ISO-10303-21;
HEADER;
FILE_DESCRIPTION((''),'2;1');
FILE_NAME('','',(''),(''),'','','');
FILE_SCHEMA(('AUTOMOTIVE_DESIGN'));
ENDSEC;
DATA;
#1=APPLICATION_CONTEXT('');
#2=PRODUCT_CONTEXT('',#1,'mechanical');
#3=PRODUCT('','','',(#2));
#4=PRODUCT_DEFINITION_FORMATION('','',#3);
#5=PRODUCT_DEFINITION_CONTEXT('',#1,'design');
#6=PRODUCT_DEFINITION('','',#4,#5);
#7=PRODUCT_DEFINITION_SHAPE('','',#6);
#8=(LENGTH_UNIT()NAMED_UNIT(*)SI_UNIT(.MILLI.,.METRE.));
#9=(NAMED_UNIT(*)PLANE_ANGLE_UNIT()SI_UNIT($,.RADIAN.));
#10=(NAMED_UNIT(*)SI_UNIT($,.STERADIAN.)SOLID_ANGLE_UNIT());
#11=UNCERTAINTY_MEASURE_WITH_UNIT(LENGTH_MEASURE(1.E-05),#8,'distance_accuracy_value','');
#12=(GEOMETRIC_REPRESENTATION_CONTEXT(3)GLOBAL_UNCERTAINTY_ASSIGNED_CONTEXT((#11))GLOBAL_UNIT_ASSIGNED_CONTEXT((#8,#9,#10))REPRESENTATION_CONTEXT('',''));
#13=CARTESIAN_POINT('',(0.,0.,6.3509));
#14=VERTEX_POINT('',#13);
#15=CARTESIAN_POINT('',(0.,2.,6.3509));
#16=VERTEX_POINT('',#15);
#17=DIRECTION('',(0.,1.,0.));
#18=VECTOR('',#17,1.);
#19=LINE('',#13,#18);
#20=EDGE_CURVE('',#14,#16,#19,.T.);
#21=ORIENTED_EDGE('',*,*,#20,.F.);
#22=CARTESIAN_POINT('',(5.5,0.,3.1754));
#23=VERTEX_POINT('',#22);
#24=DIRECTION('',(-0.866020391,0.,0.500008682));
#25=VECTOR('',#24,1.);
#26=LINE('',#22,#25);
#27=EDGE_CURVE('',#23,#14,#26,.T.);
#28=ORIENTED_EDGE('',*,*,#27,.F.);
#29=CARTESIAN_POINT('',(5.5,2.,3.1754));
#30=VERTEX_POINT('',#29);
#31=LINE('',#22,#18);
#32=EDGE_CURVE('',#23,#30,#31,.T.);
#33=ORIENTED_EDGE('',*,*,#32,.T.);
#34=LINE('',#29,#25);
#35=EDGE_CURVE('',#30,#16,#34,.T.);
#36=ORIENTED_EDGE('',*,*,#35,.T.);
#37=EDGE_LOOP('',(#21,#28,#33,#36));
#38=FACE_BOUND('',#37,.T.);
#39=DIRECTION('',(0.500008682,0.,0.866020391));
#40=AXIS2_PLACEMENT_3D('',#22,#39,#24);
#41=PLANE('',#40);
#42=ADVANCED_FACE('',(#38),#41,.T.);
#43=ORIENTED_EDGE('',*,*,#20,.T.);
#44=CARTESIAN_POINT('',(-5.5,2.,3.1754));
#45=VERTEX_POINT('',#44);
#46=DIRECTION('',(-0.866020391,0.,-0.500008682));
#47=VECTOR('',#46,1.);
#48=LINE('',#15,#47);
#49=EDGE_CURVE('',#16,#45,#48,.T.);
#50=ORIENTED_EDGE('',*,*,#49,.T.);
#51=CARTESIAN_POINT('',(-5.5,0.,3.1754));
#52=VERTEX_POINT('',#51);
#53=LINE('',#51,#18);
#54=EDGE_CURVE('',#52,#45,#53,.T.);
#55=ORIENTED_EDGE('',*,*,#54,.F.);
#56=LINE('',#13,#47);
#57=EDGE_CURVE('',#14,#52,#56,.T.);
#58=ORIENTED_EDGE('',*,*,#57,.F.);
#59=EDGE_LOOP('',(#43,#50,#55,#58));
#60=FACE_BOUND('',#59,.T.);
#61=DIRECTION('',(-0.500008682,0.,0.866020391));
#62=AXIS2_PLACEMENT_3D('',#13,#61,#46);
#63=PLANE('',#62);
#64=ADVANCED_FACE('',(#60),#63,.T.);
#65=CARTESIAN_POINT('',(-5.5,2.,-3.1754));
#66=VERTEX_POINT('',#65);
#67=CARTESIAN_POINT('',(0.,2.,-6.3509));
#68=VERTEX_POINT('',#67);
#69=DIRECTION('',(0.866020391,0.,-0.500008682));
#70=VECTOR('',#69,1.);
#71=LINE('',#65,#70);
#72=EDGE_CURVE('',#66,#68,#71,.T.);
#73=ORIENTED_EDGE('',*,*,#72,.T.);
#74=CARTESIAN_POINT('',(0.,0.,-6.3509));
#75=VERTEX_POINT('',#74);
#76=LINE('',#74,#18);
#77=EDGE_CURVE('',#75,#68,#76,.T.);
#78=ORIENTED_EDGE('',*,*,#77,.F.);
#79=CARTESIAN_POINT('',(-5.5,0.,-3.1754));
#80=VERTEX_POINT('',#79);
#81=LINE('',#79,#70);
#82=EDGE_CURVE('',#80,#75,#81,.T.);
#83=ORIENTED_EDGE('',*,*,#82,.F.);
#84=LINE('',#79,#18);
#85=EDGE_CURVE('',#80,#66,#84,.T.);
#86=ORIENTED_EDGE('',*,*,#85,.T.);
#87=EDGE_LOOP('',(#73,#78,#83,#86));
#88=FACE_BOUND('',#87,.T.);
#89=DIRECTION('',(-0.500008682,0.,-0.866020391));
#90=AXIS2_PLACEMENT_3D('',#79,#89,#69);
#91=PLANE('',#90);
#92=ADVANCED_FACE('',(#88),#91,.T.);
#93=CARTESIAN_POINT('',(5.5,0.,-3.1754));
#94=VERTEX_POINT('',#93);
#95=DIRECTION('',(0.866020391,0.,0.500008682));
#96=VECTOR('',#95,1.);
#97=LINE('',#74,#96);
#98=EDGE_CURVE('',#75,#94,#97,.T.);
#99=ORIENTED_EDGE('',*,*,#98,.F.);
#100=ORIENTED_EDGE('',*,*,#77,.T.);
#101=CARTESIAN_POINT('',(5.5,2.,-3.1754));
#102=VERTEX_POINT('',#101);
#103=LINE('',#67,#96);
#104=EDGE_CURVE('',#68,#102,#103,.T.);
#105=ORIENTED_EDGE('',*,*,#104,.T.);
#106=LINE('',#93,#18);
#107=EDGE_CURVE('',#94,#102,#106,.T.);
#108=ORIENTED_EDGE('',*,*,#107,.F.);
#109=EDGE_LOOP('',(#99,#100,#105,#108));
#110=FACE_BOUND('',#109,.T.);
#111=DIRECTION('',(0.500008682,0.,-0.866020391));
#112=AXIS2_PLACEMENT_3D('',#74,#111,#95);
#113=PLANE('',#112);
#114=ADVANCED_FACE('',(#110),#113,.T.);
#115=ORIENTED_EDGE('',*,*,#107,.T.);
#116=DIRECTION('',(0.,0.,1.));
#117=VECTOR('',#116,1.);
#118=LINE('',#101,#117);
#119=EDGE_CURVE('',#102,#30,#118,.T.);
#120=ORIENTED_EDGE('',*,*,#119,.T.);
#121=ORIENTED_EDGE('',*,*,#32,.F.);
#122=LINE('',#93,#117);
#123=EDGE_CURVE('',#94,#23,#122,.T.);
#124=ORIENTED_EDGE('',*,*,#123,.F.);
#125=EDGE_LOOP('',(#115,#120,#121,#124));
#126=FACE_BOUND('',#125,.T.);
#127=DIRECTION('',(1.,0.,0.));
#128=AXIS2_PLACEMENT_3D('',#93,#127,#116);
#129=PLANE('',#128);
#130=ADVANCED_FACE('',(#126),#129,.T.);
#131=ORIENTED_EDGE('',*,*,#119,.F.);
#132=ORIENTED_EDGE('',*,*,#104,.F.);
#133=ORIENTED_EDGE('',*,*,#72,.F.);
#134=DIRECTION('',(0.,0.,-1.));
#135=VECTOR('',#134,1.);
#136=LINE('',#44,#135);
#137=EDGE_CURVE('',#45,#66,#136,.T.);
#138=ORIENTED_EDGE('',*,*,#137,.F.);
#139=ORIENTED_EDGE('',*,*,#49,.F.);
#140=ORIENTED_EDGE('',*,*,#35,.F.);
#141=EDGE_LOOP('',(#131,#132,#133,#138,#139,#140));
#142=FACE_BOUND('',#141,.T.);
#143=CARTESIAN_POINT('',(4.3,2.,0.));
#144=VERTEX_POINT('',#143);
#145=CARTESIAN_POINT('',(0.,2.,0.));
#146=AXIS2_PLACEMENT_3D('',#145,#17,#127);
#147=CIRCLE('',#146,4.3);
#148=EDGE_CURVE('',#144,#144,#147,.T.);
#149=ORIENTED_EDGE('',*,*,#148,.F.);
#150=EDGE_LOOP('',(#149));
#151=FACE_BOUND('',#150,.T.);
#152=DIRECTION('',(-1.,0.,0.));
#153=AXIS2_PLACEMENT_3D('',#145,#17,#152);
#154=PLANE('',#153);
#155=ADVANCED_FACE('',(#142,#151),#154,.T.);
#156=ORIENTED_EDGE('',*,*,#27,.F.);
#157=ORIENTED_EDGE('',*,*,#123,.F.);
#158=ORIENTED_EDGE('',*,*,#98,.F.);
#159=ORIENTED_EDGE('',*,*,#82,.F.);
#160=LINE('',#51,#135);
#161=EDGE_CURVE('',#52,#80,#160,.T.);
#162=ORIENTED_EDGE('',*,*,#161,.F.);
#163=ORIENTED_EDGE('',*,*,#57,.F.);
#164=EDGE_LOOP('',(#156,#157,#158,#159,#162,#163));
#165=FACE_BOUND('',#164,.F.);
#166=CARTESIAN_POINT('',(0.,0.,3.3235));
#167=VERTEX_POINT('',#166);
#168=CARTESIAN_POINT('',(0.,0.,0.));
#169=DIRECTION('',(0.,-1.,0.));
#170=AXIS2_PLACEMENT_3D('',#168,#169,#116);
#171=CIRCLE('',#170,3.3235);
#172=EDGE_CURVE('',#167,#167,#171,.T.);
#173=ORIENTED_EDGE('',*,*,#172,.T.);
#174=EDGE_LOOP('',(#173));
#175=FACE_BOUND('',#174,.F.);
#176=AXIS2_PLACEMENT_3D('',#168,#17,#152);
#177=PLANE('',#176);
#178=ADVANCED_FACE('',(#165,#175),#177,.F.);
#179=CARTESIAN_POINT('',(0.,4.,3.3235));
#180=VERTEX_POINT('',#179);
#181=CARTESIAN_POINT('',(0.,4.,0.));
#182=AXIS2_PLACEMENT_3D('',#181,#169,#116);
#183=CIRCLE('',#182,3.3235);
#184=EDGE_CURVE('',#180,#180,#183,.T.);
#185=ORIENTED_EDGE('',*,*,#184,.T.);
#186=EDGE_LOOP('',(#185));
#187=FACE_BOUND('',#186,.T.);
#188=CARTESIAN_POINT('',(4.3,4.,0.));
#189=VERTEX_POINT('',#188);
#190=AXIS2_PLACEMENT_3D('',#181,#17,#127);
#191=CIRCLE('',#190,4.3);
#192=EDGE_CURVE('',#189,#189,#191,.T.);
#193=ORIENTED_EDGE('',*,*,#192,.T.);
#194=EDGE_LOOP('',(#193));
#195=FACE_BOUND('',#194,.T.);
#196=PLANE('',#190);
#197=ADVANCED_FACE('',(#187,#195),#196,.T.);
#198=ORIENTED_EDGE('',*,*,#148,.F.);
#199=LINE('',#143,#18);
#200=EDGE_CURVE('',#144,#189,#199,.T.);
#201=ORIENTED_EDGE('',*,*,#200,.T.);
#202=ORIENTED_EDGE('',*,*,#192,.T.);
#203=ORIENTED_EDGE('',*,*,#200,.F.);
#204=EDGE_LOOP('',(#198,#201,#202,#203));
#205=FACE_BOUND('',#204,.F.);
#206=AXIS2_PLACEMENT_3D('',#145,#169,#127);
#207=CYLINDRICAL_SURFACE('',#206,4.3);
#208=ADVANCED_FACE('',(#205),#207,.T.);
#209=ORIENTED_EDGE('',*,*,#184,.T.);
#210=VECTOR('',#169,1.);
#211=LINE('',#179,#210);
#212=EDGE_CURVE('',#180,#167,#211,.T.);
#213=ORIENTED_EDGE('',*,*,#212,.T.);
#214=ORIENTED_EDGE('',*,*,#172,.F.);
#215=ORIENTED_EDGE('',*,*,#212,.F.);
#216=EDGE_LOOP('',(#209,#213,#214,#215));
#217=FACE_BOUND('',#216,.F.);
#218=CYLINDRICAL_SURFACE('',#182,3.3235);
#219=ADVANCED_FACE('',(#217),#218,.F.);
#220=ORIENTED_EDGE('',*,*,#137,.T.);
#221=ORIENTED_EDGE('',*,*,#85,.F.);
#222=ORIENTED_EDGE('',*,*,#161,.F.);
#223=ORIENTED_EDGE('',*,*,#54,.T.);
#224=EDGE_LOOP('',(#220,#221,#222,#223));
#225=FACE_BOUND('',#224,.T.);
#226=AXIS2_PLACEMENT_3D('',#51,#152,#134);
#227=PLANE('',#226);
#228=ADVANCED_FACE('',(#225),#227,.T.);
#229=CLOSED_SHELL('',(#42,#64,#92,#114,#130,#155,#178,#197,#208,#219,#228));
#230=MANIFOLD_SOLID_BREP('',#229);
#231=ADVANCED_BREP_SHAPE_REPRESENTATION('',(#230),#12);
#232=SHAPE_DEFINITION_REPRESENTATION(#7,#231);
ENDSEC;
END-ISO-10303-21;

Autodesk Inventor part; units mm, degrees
ref_plane "YZ Plane" through (0, 0, 0) normal (1, 0, 0) x (0, 1, 0)
ref_plane "XZ Plane" through (0, 0, 0) normal (0, 1, 0) x (-1, 0, 0)
ref_plane "XY Plane" through (0, 0, 0) normal (0, 0, 1) x (1, 0, 0)
sketch "Sketch1" plane through (0, 0, 0) normal (0, 1, 0) x (-1, 0, 0)
  line L0 (-5.5, 3.1754) -> (0, 6.3509)
  line L1 (0, 6.3509) -> (5.5, 3.1754)
  line L2 (5.5, 3.1754) -> (5.5, -3.1754)
  line L3 (5.5, -3.1754) -> (0, -6.3509)
  line L4 (0, -6.3509) -> (-5.5, -3.1754)
  line L5 (-5.5, -3.1754) -> (-5.5, 3.1754)
  point P0 (0, 0)
  point P1 (0, 0)
  dimension "d0" = 11
extrude "Extrusion1" add sketch "Sketch1" along normal blind 2
sketch "Sketch2" plane through (0, 2, 0) normal (0, 1, 0) x (1, 0, 0)
  circle A0 centre (0, 0) radius 4.3
  dimension "d3" = 8.6
extrude "Extrusion2" add sketch "Sketch2" along normal blind 2
sketch "Sketch3" plane through (0, 4, 0) normal (0, 1, 0) x (1, 0, 0)
  circle A0 centre (0, 0) radius 4
  circle A1 centre (0, 0) radius 4.3 projected
  dimension "d6" = 8
hole "Hole1" at (0, 4, 0) direction (0, -1, 0) diameter 6.647 end through all thread size "M8x1.25" class "6H" standard "ISO Metric profile"
properties part number "Pot Adaptor"
